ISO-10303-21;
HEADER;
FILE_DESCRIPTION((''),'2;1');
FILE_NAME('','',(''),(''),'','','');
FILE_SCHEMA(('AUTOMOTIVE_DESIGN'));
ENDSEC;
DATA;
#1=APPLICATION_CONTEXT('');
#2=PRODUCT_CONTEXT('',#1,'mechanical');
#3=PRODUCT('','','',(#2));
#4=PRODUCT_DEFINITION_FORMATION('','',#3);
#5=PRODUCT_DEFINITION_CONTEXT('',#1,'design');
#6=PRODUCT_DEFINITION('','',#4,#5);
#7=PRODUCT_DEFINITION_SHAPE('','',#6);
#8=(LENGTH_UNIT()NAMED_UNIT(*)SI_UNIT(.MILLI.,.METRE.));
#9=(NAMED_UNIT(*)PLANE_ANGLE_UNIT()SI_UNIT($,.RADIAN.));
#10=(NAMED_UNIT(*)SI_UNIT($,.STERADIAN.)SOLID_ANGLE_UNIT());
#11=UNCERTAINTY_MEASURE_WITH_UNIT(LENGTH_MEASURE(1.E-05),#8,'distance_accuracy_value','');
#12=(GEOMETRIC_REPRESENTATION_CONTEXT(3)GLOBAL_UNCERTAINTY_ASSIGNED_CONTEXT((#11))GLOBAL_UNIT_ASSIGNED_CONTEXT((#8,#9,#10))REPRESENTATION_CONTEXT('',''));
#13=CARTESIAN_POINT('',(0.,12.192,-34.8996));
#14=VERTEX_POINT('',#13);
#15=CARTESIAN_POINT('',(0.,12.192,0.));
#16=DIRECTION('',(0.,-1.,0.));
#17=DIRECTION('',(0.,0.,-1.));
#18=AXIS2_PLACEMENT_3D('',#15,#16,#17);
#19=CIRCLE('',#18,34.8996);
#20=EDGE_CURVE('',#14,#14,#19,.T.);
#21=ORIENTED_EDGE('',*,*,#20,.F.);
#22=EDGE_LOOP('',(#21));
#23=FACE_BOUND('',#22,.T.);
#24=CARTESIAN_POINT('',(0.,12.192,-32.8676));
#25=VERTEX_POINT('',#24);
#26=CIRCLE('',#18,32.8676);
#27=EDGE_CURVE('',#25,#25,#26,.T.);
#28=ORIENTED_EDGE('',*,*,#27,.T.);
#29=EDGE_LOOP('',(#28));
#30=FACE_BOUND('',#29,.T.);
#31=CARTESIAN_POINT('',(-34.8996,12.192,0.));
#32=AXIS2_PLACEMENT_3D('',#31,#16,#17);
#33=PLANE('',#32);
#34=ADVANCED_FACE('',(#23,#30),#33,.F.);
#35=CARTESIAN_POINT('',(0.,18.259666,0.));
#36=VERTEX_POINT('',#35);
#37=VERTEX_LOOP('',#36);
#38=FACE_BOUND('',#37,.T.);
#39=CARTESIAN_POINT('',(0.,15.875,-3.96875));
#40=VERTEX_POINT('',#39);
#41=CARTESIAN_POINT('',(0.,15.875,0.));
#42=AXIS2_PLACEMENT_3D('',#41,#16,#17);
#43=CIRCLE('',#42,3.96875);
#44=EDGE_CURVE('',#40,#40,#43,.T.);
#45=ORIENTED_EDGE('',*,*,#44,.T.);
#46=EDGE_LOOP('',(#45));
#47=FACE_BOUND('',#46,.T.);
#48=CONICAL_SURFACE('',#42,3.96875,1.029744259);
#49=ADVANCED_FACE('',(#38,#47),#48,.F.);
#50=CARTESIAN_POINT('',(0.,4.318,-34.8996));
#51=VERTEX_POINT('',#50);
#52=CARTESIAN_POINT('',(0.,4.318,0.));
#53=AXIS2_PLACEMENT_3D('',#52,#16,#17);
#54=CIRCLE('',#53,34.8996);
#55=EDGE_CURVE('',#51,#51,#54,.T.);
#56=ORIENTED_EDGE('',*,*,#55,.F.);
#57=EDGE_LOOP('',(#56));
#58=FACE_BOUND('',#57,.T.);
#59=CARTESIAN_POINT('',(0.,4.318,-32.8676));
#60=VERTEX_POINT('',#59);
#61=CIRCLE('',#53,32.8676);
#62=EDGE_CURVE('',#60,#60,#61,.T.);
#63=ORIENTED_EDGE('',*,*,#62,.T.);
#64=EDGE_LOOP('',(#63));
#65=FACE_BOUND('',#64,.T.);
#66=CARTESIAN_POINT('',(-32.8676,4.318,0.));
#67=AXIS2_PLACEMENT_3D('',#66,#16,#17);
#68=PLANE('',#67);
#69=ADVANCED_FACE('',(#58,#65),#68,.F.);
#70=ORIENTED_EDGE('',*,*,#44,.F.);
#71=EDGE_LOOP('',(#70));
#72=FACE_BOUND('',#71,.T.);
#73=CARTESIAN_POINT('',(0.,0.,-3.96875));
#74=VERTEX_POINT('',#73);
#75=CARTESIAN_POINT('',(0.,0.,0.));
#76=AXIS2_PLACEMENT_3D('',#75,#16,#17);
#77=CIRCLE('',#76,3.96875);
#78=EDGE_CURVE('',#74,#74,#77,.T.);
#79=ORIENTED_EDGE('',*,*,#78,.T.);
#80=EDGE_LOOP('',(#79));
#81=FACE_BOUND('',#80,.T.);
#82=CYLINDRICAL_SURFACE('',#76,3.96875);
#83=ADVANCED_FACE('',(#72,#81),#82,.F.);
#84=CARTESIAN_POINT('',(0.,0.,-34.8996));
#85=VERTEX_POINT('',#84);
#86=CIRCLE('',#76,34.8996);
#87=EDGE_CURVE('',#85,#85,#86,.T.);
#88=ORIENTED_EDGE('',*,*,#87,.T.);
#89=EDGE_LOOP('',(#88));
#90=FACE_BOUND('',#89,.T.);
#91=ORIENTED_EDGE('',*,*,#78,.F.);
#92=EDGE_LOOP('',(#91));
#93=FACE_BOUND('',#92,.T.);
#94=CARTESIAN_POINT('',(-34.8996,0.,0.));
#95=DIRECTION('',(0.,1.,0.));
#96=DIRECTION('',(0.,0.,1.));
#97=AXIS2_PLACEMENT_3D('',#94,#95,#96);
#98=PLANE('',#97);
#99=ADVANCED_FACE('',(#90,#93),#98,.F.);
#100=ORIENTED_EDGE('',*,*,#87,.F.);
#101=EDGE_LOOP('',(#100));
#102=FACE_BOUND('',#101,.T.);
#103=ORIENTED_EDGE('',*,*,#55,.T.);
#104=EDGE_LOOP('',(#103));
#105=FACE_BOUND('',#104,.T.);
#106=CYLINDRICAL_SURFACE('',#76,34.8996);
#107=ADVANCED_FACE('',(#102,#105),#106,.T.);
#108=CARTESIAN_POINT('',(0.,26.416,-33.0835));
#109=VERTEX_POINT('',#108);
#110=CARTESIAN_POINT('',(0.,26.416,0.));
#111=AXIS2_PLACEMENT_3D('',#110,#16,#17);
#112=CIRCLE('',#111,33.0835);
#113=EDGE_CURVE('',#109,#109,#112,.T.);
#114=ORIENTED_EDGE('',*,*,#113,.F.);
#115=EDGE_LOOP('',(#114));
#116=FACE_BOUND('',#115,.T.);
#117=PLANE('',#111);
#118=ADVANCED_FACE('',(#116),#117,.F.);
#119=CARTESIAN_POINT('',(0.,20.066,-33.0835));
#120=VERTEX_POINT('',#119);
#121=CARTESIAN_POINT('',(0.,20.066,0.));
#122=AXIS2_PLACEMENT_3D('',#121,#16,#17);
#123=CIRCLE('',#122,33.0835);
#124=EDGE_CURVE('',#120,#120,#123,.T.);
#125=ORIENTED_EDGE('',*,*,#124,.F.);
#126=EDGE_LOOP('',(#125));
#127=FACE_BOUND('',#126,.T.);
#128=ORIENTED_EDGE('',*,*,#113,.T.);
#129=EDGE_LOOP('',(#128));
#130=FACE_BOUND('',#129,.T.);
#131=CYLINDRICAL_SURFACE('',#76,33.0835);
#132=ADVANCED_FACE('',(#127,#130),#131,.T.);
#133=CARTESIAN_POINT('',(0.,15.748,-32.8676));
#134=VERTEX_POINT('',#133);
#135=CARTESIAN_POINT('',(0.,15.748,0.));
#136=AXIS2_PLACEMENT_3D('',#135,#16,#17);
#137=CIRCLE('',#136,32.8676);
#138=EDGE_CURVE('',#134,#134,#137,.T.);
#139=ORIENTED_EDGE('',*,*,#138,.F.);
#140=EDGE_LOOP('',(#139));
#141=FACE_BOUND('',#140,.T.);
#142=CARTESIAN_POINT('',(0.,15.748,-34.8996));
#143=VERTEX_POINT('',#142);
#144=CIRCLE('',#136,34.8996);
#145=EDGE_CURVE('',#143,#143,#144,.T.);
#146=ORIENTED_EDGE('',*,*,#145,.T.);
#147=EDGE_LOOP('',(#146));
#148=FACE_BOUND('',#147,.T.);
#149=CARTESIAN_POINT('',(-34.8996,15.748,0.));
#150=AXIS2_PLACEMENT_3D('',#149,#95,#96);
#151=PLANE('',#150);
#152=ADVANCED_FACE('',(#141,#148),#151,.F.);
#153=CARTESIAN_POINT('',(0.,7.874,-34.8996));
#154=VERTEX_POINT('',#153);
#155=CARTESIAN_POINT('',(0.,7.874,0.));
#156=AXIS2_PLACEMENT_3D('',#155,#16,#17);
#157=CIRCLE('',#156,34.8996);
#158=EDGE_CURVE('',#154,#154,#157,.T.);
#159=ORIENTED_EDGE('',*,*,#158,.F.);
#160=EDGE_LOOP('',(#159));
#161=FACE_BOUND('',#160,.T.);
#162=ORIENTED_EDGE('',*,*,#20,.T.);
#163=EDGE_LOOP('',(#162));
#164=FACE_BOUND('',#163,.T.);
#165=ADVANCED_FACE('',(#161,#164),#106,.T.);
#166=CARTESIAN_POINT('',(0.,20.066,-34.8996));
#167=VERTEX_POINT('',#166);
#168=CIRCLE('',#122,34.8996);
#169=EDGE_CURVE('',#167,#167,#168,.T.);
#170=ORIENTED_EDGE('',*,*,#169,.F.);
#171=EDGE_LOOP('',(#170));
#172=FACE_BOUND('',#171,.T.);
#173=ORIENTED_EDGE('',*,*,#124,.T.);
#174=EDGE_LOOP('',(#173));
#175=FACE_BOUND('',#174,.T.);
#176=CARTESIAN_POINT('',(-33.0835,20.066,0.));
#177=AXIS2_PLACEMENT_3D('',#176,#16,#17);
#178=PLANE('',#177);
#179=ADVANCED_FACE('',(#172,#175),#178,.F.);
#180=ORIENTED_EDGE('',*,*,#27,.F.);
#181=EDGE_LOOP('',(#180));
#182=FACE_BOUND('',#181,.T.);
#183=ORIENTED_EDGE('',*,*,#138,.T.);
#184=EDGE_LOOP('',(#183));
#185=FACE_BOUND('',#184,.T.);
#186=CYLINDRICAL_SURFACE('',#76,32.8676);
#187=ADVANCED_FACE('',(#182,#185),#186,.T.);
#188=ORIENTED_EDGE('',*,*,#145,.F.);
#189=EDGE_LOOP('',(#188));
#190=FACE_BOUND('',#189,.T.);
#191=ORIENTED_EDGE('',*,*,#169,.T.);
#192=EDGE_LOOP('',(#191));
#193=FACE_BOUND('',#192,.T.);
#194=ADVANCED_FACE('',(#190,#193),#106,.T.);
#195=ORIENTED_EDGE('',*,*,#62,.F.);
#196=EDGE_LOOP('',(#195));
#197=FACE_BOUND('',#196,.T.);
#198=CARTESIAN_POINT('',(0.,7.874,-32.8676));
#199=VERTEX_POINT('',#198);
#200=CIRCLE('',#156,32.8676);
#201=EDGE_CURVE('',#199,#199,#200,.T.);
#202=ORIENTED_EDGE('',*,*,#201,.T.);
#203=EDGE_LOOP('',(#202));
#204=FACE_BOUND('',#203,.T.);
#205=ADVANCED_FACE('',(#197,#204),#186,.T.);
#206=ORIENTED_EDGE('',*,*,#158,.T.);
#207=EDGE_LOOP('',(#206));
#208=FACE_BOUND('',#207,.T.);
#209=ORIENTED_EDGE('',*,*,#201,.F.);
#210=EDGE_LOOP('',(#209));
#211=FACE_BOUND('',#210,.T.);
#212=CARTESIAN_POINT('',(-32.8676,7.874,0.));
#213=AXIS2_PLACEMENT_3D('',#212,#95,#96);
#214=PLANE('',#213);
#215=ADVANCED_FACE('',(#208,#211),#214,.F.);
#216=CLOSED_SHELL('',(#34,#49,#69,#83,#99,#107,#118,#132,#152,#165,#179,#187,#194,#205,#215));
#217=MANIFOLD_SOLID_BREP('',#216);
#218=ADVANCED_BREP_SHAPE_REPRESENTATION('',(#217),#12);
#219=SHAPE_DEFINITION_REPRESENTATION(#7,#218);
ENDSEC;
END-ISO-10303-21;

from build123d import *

# Parameters (mm, degrees)
TAP_DRILL_FOR_3_8_16_TAP1_D     = 7.9375
TAP_DRILL_FOR_3_8_16_TAP1_DEPTH = 15.875
TAP_DRILL_FOR_3_8_16_TAP1_TIP   = 2.384665582


with BuildPart() as part:
    # Sketch8 → Revolve1 (revolve)
    with BuildSketch(Plane.XY):
        Polygon((0, 0), (0, 26.416), (-33.0835, 26.416), (-33.0835, 20.066), (-34.8996, 20.066), (-34.8996, 15.748), (-32.8676, 15.748), (-32.8676, 12.192), (-34.8996, 12.192), (-34.8996, 7.874), (-32.8676, 7.874), (-32.8676, 4.318), (-34.8996, 4.318), (-34.8996, 0), align=None)
    revolve(axis=Axis((0, 0, 0), (0, 1, 0)))

    # Tap Drill for 3/8-16 Tap1
    with Locations(Plane(origin=(0, 0, 0), x_dir=(-1, 0, 0), z_dir=(0, -1, 0))):
        with Locations((0, 0)):
            Hole(TAP_DRILL_FOR_3_8_16_TAP1_D / 2, depth=TAP_DRILL_FOR_3_8_16_TAP1_DEPTH)
            with Locations((0, 0, -(TAP_DRILL_FOR_3_8_16_TAP1_DEPTH + TAP_DRILL_FOR_3_8_16_TAP1_TIP / 2))):  # 118° drill point
                Cone(0, TAP_DRILL_FOR_3_8_16_TAP1_D / 2, TAP_DRILL_FOR_3_8_16_TAP1_TIP, mode=Mode.SUBTRACT)


solid = part.part
